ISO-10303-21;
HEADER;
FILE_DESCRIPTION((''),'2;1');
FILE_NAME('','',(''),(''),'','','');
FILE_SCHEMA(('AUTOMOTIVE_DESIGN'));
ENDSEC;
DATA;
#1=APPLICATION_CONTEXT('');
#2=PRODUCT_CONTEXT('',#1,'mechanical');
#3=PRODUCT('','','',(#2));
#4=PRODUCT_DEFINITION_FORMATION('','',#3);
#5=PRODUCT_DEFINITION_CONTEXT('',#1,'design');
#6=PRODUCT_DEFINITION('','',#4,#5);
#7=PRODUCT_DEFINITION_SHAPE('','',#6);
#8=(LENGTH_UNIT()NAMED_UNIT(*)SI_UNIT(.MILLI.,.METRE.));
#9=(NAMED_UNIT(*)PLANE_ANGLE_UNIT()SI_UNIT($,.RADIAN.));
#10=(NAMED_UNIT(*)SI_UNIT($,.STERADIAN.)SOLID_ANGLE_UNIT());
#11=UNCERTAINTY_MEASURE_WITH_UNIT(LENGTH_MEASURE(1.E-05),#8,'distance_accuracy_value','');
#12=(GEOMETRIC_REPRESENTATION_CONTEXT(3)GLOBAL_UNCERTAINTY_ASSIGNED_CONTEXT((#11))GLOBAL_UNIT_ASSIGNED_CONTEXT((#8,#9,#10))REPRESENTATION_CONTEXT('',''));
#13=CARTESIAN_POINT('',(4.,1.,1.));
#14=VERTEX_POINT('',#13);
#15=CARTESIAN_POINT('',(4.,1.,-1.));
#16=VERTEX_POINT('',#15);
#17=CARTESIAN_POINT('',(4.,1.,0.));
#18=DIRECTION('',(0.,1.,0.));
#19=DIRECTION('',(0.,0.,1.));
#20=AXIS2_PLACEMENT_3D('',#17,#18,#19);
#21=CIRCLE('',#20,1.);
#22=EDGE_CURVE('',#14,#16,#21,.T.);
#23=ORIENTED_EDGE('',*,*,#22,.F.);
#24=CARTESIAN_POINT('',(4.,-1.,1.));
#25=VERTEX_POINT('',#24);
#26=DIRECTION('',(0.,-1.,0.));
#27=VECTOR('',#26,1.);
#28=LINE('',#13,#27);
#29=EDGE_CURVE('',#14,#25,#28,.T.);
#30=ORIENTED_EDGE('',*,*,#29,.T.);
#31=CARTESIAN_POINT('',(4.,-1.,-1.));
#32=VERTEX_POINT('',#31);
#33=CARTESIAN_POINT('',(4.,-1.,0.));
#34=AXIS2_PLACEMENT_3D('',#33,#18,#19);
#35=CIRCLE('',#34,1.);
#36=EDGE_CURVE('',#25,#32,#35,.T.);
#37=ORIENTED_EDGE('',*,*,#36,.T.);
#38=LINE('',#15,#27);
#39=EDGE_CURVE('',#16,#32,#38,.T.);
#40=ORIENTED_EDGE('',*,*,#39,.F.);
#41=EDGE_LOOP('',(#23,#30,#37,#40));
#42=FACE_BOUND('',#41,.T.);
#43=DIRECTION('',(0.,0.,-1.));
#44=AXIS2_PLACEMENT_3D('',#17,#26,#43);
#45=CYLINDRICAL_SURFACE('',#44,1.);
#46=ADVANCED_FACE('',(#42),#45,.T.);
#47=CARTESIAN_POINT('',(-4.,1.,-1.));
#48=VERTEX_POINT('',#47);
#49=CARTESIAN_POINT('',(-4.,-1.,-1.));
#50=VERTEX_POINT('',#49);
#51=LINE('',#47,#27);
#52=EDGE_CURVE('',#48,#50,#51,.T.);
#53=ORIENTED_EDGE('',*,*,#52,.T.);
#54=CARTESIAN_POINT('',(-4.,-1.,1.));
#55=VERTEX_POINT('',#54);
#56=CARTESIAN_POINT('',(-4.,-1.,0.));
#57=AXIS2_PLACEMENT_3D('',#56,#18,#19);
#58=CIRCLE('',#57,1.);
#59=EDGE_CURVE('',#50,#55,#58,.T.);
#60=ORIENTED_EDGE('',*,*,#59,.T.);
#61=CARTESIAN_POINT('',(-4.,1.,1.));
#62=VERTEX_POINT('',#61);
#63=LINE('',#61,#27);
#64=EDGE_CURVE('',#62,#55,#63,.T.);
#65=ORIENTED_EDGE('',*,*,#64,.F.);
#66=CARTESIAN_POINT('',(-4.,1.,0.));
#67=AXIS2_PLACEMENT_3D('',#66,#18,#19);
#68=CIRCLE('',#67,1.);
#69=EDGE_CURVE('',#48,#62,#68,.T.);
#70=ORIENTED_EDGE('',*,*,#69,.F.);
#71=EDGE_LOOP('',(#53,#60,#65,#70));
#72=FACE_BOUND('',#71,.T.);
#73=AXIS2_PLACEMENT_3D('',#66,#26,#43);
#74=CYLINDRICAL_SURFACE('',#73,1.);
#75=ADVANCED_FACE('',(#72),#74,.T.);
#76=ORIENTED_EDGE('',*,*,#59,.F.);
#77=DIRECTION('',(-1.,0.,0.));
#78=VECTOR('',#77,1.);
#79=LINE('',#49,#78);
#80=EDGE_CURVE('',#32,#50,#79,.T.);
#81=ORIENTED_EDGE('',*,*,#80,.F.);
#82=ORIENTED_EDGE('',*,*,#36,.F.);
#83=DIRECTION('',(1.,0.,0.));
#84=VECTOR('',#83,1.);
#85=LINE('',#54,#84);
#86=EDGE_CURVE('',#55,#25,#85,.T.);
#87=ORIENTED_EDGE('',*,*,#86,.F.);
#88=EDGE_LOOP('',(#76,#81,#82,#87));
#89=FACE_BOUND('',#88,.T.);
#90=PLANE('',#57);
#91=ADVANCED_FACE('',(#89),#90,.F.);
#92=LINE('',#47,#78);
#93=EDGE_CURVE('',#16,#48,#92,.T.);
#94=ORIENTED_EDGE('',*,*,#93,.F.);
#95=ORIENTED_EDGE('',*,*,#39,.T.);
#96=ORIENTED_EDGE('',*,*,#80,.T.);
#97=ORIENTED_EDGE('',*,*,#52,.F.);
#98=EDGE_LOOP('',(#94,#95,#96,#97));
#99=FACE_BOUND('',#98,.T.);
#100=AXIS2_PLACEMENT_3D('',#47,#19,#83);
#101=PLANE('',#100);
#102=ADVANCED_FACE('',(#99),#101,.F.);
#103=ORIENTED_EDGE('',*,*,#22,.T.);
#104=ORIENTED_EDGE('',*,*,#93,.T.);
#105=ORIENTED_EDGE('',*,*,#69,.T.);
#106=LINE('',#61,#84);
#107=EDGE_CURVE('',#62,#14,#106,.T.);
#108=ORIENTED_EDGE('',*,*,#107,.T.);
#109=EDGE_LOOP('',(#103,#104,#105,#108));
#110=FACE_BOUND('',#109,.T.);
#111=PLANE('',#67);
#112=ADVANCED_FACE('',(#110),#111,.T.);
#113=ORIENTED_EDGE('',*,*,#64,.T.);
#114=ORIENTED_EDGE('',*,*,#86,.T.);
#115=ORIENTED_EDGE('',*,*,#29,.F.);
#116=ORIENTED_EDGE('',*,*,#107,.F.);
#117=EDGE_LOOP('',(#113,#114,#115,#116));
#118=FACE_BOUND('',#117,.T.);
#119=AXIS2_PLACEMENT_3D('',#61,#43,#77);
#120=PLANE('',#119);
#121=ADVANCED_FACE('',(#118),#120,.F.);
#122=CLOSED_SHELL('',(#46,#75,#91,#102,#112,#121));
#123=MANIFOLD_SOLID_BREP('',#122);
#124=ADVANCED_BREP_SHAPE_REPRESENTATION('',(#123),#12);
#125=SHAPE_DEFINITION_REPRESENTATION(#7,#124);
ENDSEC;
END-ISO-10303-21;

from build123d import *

# Parameters (mm, degrees)
EXTRUDE_1_DEPTH = 1


with BuildPart() as part:
    # 草图1 → 凸台-拉伸1 (new, symmetric)
    with BuildSketch(Plane(origin=(0, 0, 0), x_dir=(1, 0, 0), z_dir=(0, 1, 0))):
        with BuildLine():
            Line((-4, 1), (4, 1))
            ThreePointArc((4, 1), (5, 0), (4, -1))
            Line((4, -1), (-4, -1))
            ThreePointArc((-4, -1), (-5, 0), (-4, 1))
        make_face()
    extrude(amount=EXTRUDE_1_DEPTH, both=True)


solid = part.part
